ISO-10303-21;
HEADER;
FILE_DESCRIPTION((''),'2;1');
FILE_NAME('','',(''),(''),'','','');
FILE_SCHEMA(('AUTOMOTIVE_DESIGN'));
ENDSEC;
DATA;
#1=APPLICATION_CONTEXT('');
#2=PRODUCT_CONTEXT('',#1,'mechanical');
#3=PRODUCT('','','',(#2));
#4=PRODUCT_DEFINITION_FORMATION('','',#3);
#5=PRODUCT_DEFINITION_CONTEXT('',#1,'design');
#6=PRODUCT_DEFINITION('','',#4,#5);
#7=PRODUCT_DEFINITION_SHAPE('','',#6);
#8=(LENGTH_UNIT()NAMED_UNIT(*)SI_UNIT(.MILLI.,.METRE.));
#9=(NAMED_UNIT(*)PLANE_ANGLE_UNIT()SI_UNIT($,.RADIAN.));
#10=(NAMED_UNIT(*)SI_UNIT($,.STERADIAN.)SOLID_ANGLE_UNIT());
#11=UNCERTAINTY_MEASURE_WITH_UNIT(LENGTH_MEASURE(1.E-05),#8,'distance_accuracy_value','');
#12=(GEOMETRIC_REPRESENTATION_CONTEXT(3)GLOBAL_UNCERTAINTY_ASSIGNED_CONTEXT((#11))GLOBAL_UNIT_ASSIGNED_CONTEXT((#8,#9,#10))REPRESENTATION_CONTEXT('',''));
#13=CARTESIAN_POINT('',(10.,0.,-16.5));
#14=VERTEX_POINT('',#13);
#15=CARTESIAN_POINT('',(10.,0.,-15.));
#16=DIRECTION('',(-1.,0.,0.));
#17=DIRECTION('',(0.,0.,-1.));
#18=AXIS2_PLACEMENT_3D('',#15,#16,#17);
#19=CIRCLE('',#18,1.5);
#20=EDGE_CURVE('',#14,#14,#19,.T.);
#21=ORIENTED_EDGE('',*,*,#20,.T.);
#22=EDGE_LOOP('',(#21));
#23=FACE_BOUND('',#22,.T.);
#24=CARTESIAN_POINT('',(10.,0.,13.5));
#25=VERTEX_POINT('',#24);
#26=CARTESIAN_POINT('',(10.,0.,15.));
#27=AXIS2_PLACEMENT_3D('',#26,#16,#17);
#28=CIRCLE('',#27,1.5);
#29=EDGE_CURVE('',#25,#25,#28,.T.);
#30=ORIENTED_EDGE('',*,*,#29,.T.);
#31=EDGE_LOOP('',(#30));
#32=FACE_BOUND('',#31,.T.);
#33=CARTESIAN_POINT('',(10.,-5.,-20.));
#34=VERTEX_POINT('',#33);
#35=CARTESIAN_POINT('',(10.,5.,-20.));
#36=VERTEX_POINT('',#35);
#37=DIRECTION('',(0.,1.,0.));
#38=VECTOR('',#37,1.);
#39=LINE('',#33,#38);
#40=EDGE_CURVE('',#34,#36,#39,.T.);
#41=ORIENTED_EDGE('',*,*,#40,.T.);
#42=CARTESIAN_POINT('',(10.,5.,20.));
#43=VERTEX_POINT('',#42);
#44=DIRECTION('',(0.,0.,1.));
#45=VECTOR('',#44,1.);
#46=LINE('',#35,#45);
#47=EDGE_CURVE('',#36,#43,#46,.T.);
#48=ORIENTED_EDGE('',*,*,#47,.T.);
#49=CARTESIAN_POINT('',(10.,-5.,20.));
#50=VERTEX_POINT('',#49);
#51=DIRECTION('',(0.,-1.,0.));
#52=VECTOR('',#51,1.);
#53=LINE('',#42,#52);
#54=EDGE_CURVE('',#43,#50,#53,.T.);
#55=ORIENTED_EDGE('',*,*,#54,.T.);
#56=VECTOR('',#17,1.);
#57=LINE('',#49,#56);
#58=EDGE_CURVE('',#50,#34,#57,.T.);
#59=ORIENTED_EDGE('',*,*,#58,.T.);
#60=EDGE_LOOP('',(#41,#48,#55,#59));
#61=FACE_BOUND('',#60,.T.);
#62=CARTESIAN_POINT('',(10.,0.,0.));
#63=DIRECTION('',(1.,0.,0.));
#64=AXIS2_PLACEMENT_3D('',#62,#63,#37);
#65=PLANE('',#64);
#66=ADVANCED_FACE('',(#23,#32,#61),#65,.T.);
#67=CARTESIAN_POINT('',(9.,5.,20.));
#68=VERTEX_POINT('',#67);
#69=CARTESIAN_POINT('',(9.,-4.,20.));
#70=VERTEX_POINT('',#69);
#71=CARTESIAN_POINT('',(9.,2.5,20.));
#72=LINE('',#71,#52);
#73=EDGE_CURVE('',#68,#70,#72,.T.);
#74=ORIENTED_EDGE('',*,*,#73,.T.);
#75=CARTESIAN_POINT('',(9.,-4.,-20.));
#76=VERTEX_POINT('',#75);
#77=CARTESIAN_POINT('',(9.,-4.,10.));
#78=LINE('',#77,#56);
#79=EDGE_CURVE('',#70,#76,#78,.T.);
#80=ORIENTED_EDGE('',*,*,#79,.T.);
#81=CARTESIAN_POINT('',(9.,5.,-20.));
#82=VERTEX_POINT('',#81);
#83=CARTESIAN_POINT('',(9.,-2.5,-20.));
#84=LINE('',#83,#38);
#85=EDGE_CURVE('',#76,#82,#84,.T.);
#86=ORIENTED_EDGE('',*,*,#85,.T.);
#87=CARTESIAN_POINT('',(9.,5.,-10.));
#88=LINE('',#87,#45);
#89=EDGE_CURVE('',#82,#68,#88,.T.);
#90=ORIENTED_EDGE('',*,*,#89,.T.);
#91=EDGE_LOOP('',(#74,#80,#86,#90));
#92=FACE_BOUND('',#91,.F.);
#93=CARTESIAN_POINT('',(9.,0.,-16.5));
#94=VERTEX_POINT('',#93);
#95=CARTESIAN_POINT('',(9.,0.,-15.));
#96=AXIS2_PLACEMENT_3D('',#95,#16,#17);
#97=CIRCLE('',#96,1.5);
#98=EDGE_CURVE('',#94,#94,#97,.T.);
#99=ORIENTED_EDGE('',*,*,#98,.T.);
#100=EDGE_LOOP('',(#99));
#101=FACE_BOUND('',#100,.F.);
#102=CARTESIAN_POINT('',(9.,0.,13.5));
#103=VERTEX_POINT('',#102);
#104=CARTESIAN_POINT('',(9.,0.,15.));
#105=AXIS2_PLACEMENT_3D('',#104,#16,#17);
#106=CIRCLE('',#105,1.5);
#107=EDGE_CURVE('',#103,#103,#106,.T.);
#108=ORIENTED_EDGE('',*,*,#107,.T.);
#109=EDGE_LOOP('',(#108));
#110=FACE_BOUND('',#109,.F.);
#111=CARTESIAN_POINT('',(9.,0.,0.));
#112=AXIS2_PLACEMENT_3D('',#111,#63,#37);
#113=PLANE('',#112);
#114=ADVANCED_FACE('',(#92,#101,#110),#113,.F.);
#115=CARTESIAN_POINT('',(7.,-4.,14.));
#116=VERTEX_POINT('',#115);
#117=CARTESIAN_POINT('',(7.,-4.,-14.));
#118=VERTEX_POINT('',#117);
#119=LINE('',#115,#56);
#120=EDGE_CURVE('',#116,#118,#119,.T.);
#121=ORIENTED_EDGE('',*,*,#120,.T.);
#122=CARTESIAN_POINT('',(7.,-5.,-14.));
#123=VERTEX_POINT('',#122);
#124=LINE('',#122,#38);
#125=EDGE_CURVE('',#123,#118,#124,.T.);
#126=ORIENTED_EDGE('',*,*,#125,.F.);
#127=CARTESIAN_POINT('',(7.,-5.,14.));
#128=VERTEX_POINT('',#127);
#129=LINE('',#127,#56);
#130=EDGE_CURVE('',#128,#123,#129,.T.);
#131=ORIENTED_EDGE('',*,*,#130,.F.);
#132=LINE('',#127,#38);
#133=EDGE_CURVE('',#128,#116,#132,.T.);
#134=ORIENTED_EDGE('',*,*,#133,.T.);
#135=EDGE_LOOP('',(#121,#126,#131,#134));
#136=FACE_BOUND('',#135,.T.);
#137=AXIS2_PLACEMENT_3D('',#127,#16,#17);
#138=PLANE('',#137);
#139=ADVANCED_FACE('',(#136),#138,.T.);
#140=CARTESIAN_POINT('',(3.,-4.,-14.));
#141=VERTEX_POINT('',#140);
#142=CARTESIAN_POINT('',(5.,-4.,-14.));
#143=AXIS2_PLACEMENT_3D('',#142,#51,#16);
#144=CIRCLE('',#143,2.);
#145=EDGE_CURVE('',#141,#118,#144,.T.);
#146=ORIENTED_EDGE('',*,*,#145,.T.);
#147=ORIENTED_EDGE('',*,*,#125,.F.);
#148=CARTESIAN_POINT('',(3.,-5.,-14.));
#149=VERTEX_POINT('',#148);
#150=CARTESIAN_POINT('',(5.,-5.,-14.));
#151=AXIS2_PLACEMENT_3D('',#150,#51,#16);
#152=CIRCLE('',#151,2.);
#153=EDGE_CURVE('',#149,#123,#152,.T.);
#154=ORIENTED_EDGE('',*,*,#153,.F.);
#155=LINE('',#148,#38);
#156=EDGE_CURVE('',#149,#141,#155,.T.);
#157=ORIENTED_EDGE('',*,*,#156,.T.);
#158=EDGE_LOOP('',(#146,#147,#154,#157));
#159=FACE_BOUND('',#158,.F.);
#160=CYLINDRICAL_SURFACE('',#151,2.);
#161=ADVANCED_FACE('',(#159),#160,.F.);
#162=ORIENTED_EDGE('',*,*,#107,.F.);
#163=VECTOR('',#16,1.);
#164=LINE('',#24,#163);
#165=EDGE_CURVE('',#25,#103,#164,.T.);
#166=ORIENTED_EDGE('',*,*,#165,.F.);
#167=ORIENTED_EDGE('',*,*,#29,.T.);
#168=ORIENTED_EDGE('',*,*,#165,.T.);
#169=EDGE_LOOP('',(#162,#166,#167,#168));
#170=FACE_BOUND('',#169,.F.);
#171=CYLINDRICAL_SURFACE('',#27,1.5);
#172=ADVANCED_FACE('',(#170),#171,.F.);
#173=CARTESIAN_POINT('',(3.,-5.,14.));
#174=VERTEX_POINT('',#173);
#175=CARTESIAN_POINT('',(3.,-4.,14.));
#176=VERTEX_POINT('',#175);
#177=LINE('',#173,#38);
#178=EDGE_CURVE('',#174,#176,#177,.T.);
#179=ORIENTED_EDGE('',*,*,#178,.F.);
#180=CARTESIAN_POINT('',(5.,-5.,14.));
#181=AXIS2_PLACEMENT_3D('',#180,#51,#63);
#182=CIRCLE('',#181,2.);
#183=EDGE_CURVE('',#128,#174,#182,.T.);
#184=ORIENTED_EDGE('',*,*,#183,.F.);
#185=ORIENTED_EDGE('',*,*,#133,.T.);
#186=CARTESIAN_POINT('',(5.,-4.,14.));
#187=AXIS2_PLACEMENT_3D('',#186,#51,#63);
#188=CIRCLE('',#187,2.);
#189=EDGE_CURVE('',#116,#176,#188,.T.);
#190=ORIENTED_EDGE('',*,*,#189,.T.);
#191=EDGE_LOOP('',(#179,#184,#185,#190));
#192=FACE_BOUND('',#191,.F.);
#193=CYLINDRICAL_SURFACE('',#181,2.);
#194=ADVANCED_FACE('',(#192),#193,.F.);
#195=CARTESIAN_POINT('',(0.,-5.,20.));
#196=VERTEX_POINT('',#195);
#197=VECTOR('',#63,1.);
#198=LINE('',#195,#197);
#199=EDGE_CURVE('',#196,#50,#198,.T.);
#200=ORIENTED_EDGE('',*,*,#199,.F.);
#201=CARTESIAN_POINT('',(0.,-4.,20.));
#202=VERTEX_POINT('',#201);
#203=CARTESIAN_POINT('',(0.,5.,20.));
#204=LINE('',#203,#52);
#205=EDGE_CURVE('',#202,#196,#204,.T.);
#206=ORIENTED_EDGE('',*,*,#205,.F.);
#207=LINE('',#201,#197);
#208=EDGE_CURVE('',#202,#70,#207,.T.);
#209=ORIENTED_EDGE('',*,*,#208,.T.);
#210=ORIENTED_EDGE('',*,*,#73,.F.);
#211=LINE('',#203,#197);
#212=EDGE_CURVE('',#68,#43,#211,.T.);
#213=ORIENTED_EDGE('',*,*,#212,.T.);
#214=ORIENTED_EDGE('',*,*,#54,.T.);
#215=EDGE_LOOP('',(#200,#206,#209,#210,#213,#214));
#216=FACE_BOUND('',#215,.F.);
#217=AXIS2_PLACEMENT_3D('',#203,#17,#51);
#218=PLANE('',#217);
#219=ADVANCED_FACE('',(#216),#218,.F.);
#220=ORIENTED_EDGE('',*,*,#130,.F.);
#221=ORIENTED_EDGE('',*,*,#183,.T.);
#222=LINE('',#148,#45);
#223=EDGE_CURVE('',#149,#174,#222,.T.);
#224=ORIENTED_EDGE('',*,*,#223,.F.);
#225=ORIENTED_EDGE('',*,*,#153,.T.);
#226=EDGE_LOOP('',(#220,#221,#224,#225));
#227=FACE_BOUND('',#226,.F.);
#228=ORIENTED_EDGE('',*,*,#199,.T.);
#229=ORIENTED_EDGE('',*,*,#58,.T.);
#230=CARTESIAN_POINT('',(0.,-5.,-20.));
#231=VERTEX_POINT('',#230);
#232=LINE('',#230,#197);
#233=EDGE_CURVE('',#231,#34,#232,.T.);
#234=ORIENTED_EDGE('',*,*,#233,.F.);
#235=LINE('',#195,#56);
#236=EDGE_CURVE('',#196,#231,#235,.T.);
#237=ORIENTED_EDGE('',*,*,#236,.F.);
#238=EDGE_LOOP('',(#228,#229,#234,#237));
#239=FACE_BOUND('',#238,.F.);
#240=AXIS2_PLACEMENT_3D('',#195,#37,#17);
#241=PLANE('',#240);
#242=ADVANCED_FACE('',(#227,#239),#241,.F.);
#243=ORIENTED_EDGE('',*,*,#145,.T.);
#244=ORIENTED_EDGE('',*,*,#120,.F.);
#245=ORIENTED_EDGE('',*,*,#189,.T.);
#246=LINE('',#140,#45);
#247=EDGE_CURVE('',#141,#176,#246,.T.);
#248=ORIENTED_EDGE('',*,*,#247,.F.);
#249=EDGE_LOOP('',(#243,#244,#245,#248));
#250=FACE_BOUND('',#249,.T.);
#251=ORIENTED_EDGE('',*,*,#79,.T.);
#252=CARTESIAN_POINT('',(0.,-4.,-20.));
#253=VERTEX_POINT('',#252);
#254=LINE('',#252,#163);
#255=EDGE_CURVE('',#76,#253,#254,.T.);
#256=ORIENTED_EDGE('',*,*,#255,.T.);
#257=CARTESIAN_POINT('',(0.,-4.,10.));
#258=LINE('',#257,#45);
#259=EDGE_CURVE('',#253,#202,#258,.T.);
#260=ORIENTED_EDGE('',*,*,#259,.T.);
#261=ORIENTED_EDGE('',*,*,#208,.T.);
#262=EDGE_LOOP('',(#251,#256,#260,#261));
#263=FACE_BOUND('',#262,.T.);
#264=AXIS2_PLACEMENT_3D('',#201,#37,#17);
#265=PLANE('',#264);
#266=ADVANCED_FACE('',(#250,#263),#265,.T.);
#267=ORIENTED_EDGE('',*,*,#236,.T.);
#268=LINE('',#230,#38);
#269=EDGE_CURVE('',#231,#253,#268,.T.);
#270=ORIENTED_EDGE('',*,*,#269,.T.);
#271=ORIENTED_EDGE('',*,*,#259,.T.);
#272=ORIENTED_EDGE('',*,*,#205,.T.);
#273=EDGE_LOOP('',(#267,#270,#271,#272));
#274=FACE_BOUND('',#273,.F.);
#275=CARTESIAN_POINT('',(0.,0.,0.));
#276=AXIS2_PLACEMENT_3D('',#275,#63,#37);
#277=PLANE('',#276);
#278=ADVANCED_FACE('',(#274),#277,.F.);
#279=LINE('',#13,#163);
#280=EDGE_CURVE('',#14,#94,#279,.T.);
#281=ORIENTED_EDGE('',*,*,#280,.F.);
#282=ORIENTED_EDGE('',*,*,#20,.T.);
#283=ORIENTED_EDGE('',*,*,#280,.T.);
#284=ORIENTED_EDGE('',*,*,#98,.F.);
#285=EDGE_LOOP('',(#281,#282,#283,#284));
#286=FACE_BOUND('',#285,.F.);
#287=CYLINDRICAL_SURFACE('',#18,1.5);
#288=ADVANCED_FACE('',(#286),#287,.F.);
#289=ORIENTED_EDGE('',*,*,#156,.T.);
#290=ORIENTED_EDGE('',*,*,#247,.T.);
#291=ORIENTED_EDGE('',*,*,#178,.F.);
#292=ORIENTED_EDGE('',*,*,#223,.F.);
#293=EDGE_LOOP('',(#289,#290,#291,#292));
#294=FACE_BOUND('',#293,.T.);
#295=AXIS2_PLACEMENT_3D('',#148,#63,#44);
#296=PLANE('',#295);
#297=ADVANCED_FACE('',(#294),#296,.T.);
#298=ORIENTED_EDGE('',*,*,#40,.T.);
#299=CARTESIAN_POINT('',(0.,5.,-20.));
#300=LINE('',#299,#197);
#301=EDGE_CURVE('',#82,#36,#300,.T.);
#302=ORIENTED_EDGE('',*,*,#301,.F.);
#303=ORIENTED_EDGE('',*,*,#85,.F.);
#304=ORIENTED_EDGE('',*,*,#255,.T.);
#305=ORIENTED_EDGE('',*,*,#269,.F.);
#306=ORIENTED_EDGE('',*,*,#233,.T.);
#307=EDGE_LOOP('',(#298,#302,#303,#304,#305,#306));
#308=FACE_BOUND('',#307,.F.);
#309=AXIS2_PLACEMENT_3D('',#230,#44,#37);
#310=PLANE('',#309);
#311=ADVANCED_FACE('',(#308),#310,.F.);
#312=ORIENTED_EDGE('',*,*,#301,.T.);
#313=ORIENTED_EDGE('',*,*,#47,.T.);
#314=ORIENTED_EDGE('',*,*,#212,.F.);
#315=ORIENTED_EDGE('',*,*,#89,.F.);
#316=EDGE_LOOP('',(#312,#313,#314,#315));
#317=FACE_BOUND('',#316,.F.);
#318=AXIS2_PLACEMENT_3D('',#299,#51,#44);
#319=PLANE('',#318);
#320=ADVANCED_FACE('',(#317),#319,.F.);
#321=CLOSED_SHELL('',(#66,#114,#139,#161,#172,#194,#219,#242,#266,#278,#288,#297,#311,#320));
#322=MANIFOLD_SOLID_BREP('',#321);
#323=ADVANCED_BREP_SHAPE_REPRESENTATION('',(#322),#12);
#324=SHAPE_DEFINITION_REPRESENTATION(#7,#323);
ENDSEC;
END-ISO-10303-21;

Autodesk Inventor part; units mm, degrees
ref_plane "YZ Plane" through (0, 0, 0) normal (1, 0, 0) x (0, 1, 0)
ref_plane "XZ Plane" through (0, 0, 0) normal (0, 1, 0) x (-1, 0, 0)
ref_plane "XY Plane" through (0, 0, 0) normal (0, 0, 1) x (1, 0, 0)
sketch "スケッチ1" plane through (0, 0, 0) normal (1, 0, 0) x (0, 1, 0)
  line L0 (-5, -20) -> (5, -20)
  line L1 (5, -20) -> (5, 20)
  line L2 (5, 20) -> (-5, 20)
  line L3 (-5, 20) -> (-5, -20)
  line L4 (-5, -20) -> (5, 20) construction
  line L5 (5, -20) -> (-5, 20) construction
  point P0 (0, 0)
  dimension "d0" = 10
  dimension "d1" = 40
extrude "押し出し1" add sketch "スケッチ1" along normal blind 10
shell "シェル1" thickness 1 removed faces 4 at (3.3333, 1.6667, 20) at (3.3333, 5, -6.6667) at (3.3333, -1.6667, -20) at (0, -1.6667, 6.6667)
sketch "スケッチ2" plane through (10, 0, 0) normal (1, 0, 0) x (0, 0, -1)
  line L0 (20, -5) -> (20, 5) projected
  line L1 (-20, 5) -> (-20, -5) projected
  line L2 (20, 5) -> (-20, 5) projected
  point P0 (0, 0)
  point P1 (-15, 0)
  point P2 (15, 0)
  dimension "d5" = 5
  dimension "d6" = 5
  dimension "d14" = 5
hole "穴1" at (10, 0, 15) at (10, 0, -15) direction (-1, 0, 0) diameter 3 end through all
sketch "スケッチ3" plane through (0, -5, -20) normal (0, -1, 0) x (1, 0, 0)
  line L0 (7, 34) -> (7, 6)
  arc A0 (3, 6) -> (7, 6) centre (5, 6) ccw
  line L1 (3, 6) -> (3, 34)
  arc A1 (7, 34) -> (3, 34) centre (5, 34) ccw
  line L2 (0, 40) -> (10, 40) projected
  line L3 (0, 40) -> (0, 0) projected
  line L4 (0, 0) -> (10, 0) projected
  point P0 (0, 20)
  point P1 (3, 20)
  point P2 (0, 20)
  dimension "d15" = 2
  dimension "d17" = 5
  dimension "d22" = 6
extrude "押し出し2" cut sketch "スケッチ3" against normal blind 1
properties part number "palmrest_L_large" material "アルミニウム 6061"
